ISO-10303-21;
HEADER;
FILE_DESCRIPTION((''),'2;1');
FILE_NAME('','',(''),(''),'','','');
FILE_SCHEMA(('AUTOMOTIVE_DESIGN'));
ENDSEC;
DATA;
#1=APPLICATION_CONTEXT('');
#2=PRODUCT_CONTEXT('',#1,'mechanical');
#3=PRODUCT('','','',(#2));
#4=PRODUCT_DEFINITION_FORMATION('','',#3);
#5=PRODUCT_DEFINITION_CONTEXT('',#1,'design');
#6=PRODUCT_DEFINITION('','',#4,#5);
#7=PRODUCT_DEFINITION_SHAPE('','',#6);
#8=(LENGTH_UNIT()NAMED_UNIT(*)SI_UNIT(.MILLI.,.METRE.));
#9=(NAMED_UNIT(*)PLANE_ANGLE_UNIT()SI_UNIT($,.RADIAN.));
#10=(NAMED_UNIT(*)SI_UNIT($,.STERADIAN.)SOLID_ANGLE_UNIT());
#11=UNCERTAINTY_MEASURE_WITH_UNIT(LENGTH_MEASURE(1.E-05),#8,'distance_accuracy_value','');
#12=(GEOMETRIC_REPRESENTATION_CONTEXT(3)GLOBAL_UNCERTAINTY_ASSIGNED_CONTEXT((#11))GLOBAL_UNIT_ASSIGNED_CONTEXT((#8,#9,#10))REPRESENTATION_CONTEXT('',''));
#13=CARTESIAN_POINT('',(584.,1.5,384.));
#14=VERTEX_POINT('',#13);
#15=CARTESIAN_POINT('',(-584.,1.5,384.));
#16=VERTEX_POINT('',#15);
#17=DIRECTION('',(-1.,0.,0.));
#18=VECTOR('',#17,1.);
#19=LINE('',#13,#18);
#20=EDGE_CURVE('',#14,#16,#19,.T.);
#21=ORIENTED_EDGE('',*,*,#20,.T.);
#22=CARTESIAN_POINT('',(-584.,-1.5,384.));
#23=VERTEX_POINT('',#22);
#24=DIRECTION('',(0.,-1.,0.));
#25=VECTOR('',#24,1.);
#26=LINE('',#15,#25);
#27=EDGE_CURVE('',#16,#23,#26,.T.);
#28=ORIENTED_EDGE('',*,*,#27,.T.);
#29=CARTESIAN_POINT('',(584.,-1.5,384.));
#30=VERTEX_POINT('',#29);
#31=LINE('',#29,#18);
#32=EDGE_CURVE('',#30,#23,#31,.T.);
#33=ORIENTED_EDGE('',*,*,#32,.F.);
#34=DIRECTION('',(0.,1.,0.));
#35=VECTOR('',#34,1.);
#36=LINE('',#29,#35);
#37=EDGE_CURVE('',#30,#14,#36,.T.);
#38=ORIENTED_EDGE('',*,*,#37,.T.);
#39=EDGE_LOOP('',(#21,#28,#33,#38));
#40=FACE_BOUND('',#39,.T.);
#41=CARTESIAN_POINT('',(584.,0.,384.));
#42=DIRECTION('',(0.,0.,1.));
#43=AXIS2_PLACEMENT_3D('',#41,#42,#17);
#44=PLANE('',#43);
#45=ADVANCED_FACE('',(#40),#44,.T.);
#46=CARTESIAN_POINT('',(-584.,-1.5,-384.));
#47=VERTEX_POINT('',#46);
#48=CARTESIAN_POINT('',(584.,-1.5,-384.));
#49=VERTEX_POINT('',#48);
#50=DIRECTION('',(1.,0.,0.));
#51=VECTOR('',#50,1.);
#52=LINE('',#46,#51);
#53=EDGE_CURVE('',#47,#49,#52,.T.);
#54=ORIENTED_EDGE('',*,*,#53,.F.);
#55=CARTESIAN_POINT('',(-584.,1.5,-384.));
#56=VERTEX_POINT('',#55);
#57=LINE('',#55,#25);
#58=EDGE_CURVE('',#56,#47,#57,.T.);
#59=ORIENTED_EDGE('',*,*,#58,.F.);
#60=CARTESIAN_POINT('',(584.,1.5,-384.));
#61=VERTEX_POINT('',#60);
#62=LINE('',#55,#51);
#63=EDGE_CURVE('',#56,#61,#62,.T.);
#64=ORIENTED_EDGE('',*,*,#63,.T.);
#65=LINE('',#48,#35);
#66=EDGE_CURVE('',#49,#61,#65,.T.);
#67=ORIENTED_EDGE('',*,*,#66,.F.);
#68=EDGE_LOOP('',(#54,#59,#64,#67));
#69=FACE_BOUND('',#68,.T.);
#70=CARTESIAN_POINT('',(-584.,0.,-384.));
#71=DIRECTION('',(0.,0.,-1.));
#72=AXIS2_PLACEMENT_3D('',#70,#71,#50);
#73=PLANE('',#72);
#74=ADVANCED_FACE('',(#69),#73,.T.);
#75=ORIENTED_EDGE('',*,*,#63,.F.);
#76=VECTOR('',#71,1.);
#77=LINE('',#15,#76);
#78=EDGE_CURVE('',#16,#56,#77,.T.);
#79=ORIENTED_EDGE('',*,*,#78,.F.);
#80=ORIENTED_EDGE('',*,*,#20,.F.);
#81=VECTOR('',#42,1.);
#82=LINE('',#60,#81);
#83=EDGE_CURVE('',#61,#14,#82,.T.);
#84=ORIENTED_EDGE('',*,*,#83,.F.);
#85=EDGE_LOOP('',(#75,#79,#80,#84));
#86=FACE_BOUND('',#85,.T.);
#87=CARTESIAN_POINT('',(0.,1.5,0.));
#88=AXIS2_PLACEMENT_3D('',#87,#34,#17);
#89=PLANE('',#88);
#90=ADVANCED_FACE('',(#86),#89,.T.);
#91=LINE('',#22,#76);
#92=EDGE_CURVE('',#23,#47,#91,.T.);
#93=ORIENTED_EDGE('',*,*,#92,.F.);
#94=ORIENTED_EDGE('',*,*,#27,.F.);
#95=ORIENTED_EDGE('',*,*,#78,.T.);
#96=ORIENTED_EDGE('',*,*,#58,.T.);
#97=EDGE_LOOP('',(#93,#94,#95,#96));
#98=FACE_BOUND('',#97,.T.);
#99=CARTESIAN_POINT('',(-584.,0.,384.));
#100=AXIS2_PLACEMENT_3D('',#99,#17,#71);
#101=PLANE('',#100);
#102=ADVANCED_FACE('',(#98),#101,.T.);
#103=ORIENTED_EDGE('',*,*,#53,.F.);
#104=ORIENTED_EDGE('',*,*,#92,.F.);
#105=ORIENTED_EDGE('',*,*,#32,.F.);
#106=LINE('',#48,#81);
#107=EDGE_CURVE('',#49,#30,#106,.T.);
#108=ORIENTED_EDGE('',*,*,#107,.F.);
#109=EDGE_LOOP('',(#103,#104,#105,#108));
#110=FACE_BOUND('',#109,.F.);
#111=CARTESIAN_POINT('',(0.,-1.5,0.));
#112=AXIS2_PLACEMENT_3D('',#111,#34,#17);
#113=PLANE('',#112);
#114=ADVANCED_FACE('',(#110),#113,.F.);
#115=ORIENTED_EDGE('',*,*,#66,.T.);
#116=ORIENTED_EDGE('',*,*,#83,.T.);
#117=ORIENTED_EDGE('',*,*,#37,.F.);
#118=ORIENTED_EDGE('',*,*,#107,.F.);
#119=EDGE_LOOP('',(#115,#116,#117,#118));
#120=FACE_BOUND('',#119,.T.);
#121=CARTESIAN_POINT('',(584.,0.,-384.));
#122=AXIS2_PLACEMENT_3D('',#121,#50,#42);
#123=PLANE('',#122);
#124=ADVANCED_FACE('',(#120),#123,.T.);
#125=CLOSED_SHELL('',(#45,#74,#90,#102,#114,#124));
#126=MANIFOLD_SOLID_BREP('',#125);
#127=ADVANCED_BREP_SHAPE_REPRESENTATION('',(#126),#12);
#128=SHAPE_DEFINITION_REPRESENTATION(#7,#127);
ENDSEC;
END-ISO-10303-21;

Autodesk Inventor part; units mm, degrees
ref_plane "YZ Plane" through (0, 0, 0) normal (1, 0, 0) x (0, 1, 0)
ref_plane "XZ Plane" through (0, 0, 0) normal (0, 1, 0) x (-1, 0, 0)
ref_plane "XY Plane" through (0, 0, 0) normal (0, 0, 1) x (1, 0, 0)
sketch "Sketch1" plane through (0, 0, 0) normal (0, 1, 0) x (-1, 0, 0)
  line L0 (-584, 384) -> (584, 384)
  line L1 (584, 384) -> (584, -384)
  line L2 (584, -384) -> (-584, -384)
  line L3 (-584, -384) -> (-584, 384)
  line L4 (-584, 384) -> (584, -384) construction
  line L5 (584, 384) -> (-584, -384) construction
  point P0 (0, 0)
  dimension "d0" = 1168
  dimension "d1" = 768
extrude "Extrusion1" add sketch "Sketch1" along normal mid plane 3
properties part number "Base" material "Acrylic"
